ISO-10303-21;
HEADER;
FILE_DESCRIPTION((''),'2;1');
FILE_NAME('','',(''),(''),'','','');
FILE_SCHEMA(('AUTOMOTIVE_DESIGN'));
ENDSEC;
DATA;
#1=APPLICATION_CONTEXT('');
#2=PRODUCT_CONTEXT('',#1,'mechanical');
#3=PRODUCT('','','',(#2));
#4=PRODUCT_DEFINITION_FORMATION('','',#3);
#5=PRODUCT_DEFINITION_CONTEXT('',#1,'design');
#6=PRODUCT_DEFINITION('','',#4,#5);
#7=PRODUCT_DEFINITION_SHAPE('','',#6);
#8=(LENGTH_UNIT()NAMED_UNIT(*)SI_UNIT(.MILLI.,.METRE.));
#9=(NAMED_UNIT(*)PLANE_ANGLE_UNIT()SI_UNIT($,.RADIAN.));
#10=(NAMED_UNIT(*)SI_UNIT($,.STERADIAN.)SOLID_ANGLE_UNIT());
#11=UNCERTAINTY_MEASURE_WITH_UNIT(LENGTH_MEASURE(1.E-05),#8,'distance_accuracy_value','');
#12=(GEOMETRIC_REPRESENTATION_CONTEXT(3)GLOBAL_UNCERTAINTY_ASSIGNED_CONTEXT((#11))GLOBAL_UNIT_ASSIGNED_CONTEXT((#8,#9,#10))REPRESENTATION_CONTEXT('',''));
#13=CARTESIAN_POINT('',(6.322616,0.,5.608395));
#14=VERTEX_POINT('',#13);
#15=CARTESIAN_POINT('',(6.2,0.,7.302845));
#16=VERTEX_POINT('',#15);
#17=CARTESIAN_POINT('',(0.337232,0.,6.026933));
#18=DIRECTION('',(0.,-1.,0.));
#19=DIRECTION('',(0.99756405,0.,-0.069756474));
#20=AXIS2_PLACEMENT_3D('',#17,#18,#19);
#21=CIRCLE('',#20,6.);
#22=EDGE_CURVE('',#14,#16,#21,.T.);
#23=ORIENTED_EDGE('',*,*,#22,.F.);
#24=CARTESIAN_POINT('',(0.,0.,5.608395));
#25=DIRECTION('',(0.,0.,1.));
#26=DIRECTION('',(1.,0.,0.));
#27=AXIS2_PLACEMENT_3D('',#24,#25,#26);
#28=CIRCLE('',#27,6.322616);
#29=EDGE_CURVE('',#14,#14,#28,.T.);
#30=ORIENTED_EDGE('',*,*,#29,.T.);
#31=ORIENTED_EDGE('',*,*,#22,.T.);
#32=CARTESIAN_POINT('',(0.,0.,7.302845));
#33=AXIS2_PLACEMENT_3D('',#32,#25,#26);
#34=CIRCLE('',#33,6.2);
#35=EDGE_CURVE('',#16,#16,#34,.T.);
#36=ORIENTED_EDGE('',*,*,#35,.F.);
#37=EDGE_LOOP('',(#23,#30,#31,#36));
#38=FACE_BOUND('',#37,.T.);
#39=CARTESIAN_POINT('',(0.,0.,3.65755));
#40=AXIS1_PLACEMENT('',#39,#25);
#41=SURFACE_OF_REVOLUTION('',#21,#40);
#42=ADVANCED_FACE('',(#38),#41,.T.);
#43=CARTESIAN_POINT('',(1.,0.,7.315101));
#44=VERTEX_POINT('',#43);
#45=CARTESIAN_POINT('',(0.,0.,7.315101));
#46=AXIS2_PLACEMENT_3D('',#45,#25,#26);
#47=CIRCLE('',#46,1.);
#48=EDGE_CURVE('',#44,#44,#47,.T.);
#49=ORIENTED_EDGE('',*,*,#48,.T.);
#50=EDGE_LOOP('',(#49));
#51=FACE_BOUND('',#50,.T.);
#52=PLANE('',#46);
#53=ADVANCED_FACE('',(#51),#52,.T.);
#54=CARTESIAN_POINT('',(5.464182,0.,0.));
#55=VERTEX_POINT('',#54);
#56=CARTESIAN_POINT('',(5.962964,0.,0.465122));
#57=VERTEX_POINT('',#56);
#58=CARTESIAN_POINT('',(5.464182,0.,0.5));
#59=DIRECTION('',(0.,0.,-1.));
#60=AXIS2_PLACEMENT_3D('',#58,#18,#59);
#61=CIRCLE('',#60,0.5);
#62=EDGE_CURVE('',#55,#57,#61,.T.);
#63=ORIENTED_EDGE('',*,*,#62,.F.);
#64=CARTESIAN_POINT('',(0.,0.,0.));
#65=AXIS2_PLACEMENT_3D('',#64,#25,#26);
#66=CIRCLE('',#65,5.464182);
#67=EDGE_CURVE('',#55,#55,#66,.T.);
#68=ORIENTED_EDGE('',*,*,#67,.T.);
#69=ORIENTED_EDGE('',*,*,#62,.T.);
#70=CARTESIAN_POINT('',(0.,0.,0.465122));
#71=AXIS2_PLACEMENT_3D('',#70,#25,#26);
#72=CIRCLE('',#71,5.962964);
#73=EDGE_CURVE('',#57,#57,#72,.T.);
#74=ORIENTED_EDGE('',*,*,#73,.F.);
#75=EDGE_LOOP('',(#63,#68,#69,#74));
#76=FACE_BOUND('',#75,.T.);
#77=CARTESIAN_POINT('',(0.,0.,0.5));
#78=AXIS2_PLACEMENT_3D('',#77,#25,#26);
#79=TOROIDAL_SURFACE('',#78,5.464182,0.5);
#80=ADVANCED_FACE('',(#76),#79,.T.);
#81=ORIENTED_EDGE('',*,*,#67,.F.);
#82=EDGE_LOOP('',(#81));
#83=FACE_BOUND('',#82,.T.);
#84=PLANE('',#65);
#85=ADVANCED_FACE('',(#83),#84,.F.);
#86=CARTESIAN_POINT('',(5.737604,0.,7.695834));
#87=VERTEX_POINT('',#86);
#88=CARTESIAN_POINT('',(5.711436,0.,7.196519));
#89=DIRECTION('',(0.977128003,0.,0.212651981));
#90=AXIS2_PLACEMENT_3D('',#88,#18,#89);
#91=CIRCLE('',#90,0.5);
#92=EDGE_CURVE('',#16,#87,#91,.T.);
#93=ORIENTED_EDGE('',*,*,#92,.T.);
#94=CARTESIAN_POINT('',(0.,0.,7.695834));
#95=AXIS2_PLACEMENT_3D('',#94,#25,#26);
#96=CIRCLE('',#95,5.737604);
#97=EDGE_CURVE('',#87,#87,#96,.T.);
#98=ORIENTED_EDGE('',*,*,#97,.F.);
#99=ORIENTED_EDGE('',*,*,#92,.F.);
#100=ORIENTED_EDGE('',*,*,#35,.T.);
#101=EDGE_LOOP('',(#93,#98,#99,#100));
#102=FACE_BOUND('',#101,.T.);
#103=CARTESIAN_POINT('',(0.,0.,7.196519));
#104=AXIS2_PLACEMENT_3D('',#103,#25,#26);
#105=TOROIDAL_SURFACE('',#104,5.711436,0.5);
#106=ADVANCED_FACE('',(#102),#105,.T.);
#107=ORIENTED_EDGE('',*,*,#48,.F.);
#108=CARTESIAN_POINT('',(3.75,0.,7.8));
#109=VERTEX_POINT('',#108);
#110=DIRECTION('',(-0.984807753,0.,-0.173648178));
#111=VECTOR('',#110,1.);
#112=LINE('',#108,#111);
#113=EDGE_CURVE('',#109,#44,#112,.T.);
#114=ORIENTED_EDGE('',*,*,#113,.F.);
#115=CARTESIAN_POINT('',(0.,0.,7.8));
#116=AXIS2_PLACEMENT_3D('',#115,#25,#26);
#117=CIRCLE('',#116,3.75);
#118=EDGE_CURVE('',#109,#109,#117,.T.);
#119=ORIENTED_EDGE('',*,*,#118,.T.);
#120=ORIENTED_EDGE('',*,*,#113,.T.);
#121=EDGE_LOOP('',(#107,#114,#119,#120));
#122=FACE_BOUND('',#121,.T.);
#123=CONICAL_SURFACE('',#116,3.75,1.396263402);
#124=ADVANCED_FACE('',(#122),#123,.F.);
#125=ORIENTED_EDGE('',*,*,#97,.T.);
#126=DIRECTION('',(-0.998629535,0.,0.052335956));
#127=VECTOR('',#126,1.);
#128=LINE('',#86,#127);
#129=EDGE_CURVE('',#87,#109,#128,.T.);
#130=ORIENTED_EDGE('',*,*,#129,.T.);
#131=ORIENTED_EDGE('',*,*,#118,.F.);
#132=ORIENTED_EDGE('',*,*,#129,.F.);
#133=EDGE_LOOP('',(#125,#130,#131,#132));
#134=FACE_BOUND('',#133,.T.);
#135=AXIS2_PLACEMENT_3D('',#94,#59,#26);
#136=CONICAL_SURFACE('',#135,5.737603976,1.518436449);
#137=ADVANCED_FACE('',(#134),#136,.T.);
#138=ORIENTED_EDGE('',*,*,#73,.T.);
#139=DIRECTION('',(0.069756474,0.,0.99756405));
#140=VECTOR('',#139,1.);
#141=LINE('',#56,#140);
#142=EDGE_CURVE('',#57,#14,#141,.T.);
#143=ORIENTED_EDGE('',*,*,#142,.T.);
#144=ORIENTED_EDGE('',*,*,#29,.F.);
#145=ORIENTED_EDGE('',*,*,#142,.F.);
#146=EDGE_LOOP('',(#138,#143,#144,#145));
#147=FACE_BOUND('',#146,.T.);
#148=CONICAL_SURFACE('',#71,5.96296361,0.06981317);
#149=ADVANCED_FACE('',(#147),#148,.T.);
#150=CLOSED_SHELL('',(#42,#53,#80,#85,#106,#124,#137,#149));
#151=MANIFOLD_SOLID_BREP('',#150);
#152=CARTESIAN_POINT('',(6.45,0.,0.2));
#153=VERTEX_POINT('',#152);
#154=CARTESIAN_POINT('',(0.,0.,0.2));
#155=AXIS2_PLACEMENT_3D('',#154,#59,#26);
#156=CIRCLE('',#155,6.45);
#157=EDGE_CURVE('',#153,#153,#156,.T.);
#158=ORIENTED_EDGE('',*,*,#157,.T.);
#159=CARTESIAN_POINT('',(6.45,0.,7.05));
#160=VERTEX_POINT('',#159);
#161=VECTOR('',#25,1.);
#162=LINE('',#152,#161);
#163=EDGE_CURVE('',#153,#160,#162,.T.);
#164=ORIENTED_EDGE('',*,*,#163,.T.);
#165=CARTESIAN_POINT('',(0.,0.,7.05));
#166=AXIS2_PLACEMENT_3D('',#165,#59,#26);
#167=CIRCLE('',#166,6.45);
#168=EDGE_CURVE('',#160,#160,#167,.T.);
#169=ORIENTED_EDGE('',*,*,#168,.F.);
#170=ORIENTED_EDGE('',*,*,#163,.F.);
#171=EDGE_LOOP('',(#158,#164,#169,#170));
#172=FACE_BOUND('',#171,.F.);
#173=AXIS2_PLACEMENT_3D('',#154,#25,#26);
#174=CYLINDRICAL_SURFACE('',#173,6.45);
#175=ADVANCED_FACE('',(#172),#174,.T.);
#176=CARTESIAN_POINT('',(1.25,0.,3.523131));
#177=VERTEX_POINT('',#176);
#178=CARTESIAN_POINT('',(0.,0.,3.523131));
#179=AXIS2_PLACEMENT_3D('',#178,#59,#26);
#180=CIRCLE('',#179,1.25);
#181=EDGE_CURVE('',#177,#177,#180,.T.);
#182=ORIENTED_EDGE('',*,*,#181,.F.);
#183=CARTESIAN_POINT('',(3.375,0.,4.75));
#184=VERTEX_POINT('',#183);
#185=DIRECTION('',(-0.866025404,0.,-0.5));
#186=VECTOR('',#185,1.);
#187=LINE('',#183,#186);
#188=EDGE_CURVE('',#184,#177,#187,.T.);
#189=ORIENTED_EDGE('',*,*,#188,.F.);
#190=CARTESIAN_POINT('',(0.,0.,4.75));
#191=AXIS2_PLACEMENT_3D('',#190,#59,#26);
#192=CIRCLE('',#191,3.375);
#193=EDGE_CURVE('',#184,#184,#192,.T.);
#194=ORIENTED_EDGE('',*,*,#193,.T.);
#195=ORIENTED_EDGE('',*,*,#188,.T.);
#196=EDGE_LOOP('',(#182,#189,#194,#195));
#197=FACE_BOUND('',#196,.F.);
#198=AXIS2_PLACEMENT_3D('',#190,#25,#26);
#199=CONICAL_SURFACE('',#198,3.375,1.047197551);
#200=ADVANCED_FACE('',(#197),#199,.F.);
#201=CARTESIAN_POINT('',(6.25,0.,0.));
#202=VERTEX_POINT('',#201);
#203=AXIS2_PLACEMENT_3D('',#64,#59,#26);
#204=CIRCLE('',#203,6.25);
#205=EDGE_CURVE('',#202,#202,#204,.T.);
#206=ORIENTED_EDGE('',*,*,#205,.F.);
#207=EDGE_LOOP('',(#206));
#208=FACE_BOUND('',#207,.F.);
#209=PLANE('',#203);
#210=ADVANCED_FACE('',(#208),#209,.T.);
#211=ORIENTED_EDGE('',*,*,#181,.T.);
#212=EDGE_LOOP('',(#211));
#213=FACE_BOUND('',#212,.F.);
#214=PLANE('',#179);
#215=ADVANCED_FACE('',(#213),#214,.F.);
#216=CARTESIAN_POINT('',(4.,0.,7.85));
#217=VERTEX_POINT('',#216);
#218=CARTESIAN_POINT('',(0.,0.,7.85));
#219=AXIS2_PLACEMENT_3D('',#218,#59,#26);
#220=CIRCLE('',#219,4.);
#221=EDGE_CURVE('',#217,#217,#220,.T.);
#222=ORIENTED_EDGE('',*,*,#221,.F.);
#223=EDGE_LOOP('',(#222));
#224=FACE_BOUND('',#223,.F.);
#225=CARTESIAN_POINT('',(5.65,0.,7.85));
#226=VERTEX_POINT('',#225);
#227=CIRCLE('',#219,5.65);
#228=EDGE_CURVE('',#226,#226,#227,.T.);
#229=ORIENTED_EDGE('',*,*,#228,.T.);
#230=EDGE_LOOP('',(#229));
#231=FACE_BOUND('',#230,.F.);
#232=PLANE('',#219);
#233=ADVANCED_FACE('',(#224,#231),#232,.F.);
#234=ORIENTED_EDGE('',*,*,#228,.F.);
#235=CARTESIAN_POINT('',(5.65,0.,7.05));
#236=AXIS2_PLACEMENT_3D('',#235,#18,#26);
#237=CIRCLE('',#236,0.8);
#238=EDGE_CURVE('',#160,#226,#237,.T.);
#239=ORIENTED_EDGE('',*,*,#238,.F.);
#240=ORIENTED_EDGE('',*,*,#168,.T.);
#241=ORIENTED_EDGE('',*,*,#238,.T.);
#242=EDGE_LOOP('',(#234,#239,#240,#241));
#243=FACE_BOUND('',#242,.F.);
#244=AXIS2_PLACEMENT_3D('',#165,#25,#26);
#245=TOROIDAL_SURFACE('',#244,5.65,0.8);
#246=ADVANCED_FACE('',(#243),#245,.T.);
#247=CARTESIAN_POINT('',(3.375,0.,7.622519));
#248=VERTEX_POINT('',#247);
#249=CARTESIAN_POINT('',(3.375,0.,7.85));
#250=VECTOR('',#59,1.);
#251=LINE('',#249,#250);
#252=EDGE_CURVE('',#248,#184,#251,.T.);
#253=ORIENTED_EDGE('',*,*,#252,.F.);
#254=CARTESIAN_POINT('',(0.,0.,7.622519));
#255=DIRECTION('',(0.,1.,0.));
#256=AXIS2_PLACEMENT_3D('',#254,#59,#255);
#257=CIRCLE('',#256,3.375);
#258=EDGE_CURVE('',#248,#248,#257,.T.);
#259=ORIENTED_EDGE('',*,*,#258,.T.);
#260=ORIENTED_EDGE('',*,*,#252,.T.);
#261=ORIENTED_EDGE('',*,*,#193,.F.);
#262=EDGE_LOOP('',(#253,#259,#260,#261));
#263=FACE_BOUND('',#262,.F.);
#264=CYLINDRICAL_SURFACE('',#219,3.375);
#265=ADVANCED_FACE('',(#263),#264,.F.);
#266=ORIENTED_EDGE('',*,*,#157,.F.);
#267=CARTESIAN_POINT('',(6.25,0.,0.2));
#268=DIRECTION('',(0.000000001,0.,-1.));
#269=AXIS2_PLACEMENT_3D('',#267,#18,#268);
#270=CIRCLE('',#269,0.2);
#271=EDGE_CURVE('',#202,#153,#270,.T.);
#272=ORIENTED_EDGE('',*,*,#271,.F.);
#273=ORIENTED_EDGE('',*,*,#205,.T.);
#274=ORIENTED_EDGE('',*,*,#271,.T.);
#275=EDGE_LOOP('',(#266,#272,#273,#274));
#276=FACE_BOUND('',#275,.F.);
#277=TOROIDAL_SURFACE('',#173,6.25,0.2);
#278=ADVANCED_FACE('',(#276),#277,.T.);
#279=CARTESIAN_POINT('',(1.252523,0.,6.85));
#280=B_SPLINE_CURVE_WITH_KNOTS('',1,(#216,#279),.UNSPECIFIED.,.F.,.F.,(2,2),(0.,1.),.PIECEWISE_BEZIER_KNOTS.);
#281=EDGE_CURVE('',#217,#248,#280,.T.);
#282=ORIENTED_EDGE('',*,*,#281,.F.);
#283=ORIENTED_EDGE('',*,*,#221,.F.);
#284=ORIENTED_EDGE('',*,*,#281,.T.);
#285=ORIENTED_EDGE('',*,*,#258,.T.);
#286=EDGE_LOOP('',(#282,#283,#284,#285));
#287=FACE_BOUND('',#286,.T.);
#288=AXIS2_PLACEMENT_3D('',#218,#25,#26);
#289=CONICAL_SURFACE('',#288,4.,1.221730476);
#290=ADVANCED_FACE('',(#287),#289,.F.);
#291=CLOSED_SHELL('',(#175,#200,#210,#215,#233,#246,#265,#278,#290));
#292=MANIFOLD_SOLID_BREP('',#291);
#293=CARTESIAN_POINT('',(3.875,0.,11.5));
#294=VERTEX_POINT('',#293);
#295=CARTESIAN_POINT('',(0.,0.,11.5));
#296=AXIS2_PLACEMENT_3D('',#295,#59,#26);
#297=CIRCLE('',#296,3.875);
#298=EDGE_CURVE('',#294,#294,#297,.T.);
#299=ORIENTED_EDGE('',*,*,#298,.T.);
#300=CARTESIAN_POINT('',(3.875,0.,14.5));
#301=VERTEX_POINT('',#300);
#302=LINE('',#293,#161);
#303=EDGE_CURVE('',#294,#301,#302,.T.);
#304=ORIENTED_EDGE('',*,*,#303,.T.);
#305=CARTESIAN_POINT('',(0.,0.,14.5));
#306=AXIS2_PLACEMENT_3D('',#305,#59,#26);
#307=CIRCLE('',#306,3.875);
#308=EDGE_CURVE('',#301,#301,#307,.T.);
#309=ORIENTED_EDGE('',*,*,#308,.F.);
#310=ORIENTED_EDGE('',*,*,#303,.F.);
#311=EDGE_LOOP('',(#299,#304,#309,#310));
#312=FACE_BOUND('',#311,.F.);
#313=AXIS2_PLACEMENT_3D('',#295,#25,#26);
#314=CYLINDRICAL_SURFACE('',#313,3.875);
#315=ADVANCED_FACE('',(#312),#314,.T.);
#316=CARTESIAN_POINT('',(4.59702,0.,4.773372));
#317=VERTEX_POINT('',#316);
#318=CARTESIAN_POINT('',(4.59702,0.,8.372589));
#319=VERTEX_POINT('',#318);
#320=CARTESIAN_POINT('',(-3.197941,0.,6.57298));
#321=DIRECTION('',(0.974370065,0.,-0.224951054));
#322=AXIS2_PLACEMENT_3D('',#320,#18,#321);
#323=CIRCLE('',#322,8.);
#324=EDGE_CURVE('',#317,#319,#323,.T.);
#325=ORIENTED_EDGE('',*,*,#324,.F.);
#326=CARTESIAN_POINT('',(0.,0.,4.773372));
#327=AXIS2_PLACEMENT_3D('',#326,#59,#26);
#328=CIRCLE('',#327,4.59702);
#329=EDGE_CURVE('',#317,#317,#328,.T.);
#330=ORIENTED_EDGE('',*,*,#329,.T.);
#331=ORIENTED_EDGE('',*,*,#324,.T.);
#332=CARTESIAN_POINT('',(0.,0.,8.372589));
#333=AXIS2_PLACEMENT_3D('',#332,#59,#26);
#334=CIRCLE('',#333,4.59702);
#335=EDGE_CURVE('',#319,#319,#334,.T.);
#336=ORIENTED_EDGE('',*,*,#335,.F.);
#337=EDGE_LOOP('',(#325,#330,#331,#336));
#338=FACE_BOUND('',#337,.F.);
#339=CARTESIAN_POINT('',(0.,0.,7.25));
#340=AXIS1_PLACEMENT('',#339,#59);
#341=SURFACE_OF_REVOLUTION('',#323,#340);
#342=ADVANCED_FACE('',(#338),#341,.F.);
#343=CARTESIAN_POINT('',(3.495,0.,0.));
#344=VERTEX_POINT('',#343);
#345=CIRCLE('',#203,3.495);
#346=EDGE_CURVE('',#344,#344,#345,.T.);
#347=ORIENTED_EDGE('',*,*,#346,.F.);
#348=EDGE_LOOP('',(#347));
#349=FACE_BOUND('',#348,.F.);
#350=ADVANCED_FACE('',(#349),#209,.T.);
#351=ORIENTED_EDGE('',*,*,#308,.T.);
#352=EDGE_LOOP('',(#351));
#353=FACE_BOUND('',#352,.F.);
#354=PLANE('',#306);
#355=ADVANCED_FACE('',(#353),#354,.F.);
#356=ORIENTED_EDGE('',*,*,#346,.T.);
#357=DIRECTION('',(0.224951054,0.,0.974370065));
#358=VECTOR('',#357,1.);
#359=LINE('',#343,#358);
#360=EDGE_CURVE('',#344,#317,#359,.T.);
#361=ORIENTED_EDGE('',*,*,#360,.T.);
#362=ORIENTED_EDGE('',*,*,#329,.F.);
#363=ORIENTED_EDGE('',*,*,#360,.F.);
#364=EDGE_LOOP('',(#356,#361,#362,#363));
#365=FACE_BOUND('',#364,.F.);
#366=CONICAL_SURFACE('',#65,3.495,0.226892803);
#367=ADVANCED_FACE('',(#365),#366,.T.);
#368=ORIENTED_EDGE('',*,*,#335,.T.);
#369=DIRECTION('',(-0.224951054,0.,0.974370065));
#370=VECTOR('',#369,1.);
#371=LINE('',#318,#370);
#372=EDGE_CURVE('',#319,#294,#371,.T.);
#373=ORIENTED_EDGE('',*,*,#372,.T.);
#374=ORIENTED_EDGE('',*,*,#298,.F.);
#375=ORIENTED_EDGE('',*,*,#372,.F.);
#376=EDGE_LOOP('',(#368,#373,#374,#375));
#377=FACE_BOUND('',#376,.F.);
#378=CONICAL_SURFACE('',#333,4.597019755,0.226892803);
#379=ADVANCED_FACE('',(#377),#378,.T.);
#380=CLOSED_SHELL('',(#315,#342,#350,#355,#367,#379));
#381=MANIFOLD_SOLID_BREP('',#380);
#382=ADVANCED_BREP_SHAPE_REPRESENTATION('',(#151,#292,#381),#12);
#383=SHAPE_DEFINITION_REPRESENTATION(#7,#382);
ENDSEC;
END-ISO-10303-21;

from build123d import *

# Parameters (mm, degrees)
F3_R     = 4
F4_DEPTH = 1
F4_TAPER = 70


with BuildPart() as f1:
    # F0 (on Front) → F1 (revolve)
    with BuildSketch(Plane.XZ):
        with BuildLine():
            Line((5.65, 7.85), (3.375, 7.85))
            Line((3.375, 7.85), (3.375, 4.75))
            Line((3.375, 4.75), (1.25, 3.523130678))
            Line((1.25, 3.523130678), (0, 3.523130678))
            Line((0, 3.523130678), (0, 0))
            Line((0, 0), (6.25, 0))
            ThreePointArc((6.25, 0), (6.3914213562, 0.0585786438), (6.45, 0.2))
            Line((6.45, 0.2), (6.45, 7.05))
            ThreePointArc((6.45, 7.05), (6.2156854249, 7.6156854249), (5.65, 7.85))
        make_face()
    revolve(axis=Axis((0, 0, 1.761565339), (0, 0, -1)))

    # F3 (on face) → F4 (cut)
    with BuildSketch(Plane.XY.offset(7.85)):
        Circle(F3_R)
    extrude(amount=-F4_DEPTH, taper=F4_TAPER, mode=Mode.SUBTRACT)


with BuildPart() as f6:
    # F5 (on Front) → F6 (revolve)
    with BuildSketch(Plane.XZ):
        with BuildLine():
            Line((3.875, 14.5), (0, 14.5))
            Line((0, 14.5), (0, 0))
            Line((0, 0), (3.495, 0))
            Line((3.495, 0), (4.5970197549, 4.7733719814))
            ThreePointArc((4.5970197549, 4.7733719814), (4.8020592366, 6.5729804161), (4.5970197549, 8.3725888509))
            Line((4.5970197549, 8.3725888509), (3.875, 11.5))
            Line((3.875, 11.5), (3.875, 14.5))
        make_face()
    revolve(axis=Axis((0, 0, 7.25), (0, 0, -1)))


with BuildPart() as f8:
    # F7 (on Front) → F8 (revolve)
    with BuildSketch(Plane.XZ):
        with BuildLine():
            Line((0, 7.3151008031), (0, 0))
            Line((0, 0), (5.4641815853, 0))
            ThreePointArc((5.4641815853, 0), (5.8051807653, 0.1343231492), (5.9629636104, 0.4651217631))
            Line((5.9629636104, 0.4651217631), (6.3226162816, 5.6083945828))
            ThreePointArc((6.3226162816, 5.6083945828), (6.3215840066, 6.4599817167), (6.2, 7.3028453127))
            ThreePointArc((6.2, 7.3028453127), (6.0352373223, 7.577508433), (5.7376039765, 7.6958340895))
            Line((5.7376039765, 7.6958340895), (3.75, 7.8))
            Line((3.75, 7.8), (1, 7.3151008031))
            Line((1, 7.3151008031), (0, 7.3151008031))
        make_face()
    revolve(axis=Axis((0, 0, 3.6575504015), (0, 0, 1)))


solid = Compound([f1.part, f6.part, f8.part])
